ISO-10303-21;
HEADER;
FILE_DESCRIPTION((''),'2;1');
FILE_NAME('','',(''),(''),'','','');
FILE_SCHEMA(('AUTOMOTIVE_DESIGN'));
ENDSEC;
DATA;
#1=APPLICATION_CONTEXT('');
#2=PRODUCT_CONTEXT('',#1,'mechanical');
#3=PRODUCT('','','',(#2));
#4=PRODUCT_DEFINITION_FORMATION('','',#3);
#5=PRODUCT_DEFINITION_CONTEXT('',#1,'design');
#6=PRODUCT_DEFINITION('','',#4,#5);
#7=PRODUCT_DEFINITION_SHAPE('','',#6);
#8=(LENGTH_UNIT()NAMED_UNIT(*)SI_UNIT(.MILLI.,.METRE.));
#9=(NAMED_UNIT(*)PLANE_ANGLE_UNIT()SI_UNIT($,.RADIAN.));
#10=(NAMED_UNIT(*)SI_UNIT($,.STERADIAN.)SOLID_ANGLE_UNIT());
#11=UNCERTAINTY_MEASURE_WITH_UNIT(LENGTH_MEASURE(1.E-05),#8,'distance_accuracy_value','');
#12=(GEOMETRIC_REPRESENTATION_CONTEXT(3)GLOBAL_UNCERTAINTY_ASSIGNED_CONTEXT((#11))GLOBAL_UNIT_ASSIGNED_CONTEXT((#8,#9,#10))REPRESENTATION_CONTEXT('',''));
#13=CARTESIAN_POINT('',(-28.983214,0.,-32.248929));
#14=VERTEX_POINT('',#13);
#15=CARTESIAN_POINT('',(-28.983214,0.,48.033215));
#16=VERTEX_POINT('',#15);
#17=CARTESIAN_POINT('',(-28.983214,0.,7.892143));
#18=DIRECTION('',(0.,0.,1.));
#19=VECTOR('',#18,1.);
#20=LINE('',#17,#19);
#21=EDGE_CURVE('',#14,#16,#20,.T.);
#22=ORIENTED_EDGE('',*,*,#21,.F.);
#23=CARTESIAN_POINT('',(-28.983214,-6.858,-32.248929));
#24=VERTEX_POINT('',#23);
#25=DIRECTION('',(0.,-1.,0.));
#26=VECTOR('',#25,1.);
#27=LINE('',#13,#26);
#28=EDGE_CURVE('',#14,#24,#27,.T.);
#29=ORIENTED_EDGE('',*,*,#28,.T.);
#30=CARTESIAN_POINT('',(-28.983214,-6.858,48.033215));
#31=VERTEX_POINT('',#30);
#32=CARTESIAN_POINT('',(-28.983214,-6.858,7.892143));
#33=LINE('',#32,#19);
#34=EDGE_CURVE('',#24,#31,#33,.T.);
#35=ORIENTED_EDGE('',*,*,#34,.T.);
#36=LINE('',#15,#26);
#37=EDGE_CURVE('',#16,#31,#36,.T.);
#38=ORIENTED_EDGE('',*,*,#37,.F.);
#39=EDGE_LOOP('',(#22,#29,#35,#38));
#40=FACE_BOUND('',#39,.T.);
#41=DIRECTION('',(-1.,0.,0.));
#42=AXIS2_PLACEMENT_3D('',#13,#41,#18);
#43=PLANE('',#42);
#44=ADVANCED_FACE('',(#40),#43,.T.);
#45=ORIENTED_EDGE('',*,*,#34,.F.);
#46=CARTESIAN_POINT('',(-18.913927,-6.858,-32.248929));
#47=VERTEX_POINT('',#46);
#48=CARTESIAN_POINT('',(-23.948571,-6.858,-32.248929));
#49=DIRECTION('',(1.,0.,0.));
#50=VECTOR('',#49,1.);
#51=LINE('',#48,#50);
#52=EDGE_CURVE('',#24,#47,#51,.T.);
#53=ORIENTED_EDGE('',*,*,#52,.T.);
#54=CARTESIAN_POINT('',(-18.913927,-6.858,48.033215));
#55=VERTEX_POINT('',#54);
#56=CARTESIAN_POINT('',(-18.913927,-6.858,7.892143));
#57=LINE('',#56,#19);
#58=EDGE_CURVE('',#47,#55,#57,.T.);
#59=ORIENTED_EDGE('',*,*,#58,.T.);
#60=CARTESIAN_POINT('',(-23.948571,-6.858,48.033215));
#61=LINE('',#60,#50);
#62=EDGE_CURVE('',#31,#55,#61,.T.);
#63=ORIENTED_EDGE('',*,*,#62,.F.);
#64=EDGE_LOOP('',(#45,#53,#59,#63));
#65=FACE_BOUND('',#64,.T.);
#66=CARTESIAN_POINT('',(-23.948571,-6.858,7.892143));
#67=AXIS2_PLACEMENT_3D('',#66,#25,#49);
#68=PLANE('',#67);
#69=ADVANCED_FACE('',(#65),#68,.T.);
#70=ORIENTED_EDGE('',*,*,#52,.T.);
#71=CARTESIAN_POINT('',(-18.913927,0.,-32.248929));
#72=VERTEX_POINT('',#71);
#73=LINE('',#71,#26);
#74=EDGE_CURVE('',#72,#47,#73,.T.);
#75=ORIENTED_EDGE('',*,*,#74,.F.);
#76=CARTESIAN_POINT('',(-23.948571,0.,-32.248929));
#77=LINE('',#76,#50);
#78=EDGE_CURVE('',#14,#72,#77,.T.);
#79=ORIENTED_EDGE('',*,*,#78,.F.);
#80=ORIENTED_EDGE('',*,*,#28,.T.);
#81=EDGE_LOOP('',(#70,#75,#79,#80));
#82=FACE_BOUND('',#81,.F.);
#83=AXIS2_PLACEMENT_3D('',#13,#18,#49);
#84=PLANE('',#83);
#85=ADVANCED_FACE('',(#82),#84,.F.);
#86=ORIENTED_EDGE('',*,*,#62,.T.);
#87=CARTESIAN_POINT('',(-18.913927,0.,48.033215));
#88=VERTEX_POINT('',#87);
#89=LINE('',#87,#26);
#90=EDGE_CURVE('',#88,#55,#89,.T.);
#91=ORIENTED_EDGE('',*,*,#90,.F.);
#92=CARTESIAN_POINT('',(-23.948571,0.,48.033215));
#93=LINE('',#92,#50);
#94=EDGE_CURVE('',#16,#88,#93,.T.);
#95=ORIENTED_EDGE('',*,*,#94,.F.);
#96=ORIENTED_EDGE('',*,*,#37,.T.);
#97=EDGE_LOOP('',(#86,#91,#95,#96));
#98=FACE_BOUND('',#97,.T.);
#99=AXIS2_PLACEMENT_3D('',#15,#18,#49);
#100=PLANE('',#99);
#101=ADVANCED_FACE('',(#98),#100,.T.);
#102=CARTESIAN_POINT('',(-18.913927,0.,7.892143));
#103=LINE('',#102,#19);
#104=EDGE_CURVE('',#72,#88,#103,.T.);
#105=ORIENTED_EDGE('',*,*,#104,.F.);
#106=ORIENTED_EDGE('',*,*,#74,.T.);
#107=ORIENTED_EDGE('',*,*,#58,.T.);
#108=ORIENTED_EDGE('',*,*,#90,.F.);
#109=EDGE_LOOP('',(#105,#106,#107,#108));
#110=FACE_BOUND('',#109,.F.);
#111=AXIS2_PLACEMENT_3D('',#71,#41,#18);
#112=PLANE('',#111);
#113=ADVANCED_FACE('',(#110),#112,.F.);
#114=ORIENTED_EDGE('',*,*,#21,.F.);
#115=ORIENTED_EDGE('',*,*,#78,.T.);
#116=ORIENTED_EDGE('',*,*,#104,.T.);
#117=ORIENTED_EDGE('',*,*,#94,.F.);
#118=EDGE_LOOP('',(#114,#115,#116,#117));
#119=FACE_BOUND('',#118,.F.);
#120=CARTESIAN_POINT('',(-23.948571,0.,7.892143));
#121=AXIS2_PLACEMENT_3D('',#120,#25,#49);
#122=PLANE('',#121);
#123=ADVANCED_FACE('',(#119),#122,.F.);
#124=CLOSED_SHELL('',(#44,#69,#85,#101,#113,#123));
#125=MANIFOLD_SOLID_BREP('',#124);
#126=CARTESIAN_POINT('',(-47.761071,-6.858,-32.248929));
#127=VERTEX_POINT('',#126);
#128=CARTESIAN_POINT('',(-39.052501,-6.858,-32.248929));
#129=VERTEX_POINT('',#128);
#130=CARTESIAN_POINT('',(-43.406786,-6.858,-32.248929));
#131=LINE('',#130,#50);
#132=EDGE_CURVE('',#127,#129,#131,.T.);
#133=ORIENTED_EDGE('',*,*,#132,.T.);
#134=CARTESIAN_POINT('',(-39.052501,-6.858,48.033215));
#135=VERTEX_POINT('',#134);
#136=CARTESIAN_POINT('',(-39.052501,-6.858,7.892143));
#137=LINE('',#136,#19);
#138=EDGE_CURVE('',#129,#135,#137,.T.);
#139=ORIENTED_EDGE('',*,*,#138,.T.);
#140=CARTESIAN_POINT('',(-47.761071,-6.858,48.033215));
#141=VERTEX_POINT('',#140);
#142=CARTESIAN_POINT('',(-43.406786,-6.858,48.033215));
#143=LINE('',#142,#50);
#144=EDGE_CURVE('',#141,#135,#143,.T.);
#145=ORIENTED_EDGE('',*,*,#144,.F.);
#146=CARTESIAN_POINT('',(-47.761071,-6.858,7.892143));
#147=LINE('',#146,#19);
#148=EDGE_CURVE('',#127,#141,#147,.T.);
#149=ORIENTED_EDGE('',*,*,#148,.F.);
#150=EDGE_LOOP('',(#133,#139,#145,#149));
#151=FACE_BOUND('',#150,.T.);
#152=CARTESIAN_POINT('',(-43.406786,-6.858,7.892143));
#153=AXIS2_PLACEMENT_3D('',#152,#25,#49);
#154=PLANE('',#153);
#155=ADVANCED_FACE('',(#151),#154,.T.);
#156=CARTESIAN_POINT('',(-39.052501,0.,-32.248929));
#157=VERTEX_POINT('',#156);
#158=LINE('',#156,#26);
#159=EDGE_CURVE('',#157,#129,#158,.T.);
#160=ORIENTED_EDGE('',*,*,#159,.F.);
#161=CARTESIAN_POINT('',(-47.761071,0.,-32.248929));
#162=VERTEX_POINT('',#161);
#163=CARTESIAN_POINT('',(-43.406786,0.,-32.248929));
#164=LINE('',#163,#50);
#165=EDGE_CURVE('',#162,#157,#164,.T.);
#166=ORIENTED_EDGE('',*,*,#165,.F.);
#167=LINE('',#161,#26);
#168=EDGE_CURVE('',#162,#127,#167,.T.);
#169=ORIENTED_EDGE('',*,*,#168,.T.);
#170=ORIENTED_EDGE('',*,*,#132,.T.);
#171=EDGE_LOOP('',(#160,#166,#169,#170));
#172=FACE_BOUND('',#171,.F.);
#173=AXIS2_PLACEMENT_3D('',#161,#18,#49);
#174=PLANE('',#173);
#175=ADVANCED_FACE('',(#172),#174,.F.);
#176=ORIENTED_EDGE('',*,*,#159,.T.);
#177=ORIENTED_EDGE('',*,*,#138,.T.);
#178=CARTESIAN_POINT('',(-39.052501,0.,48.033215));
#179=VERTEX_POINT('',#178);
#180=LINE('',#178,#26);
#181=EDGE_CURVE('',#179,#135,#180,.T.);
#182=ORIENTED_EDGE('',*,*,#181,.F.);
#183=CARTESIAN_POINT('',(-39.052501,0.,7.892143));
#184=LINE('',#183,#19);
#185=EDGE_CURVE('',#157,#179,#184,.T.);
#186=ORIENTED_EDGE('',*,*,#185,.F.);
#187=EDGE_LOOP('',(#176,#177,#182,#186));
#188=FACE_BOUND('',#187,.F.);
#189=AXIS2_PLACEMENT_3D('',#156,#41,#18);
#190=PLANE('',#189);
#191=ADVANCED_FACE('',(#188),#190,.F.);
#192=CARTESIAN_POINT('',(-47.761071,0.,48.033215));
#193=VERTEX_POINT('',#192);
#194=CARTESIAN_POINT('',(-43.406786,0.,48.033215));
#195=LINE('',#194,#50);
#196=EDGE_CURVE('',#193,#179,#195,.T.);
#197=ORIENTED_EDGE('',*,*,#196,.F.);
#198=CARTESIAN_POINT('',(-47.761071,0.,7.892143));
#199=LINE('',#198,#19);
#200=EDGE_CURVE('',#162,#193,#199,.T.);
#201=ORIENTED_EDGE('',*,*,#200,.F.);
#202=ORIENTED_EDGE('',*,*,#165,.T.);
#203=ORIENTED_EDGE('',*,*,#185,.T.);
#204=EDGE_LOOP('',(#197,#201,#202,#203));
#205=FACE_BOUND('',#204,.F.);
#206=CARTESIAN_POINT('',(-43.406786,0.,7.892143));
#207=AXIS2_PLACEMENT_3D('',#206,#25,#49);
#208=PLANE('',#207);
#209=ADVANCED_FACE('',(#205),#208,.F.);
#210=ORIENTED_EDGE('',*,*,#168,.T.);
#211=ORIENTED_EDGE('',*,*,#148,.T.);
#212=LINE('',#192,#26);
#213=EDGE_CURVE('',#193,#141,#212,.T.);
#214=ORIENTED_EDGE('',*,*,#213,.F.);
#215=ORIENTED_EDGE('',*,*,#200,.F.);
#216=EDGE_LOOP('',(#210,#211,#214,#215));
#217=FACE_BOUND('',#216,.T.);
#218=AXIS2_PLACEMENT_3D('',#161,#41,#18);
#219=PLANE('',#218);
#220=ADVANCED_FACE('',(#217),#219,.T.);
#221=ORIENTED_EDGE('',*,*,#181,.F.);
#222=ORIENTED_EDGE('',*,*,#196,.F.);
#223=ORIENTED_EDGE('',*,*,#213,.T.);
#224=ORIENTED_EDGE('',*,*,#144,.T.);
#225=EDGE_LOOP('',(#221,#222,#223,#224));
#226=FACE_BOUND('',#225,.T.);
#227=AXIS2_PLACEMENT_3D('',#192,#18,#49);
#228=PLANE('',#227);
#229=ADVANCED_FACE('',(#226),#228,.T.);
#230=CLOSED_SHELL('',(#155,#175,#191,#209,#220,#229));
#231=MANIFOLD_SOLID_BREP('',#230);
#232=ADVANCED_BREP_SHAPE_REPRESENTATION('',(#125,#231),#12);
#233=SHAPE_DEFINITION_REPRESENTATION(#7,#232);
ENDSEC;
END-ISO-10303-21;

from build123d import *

# Parameters (mm, degrees)
F0_W     = 8.70857
F0_H     = 80.282144
F0_W_2   = 10.069287
F1_DEPTH = 6.858


with BuildPart() as f1:
    # F0 (on Front) → F1 (new body)
    with BuildSketch(Plane.XZ):
        with Locations((-43.406786, 7.892143)):
            Rectangle(F0_W, F0_H)
        with Locations((-23.948571, 7.892143)):
            Rectangle(F0_W_2, F0_H)
    extrude(amount=F1_DEPTH)


solid = f1.part
